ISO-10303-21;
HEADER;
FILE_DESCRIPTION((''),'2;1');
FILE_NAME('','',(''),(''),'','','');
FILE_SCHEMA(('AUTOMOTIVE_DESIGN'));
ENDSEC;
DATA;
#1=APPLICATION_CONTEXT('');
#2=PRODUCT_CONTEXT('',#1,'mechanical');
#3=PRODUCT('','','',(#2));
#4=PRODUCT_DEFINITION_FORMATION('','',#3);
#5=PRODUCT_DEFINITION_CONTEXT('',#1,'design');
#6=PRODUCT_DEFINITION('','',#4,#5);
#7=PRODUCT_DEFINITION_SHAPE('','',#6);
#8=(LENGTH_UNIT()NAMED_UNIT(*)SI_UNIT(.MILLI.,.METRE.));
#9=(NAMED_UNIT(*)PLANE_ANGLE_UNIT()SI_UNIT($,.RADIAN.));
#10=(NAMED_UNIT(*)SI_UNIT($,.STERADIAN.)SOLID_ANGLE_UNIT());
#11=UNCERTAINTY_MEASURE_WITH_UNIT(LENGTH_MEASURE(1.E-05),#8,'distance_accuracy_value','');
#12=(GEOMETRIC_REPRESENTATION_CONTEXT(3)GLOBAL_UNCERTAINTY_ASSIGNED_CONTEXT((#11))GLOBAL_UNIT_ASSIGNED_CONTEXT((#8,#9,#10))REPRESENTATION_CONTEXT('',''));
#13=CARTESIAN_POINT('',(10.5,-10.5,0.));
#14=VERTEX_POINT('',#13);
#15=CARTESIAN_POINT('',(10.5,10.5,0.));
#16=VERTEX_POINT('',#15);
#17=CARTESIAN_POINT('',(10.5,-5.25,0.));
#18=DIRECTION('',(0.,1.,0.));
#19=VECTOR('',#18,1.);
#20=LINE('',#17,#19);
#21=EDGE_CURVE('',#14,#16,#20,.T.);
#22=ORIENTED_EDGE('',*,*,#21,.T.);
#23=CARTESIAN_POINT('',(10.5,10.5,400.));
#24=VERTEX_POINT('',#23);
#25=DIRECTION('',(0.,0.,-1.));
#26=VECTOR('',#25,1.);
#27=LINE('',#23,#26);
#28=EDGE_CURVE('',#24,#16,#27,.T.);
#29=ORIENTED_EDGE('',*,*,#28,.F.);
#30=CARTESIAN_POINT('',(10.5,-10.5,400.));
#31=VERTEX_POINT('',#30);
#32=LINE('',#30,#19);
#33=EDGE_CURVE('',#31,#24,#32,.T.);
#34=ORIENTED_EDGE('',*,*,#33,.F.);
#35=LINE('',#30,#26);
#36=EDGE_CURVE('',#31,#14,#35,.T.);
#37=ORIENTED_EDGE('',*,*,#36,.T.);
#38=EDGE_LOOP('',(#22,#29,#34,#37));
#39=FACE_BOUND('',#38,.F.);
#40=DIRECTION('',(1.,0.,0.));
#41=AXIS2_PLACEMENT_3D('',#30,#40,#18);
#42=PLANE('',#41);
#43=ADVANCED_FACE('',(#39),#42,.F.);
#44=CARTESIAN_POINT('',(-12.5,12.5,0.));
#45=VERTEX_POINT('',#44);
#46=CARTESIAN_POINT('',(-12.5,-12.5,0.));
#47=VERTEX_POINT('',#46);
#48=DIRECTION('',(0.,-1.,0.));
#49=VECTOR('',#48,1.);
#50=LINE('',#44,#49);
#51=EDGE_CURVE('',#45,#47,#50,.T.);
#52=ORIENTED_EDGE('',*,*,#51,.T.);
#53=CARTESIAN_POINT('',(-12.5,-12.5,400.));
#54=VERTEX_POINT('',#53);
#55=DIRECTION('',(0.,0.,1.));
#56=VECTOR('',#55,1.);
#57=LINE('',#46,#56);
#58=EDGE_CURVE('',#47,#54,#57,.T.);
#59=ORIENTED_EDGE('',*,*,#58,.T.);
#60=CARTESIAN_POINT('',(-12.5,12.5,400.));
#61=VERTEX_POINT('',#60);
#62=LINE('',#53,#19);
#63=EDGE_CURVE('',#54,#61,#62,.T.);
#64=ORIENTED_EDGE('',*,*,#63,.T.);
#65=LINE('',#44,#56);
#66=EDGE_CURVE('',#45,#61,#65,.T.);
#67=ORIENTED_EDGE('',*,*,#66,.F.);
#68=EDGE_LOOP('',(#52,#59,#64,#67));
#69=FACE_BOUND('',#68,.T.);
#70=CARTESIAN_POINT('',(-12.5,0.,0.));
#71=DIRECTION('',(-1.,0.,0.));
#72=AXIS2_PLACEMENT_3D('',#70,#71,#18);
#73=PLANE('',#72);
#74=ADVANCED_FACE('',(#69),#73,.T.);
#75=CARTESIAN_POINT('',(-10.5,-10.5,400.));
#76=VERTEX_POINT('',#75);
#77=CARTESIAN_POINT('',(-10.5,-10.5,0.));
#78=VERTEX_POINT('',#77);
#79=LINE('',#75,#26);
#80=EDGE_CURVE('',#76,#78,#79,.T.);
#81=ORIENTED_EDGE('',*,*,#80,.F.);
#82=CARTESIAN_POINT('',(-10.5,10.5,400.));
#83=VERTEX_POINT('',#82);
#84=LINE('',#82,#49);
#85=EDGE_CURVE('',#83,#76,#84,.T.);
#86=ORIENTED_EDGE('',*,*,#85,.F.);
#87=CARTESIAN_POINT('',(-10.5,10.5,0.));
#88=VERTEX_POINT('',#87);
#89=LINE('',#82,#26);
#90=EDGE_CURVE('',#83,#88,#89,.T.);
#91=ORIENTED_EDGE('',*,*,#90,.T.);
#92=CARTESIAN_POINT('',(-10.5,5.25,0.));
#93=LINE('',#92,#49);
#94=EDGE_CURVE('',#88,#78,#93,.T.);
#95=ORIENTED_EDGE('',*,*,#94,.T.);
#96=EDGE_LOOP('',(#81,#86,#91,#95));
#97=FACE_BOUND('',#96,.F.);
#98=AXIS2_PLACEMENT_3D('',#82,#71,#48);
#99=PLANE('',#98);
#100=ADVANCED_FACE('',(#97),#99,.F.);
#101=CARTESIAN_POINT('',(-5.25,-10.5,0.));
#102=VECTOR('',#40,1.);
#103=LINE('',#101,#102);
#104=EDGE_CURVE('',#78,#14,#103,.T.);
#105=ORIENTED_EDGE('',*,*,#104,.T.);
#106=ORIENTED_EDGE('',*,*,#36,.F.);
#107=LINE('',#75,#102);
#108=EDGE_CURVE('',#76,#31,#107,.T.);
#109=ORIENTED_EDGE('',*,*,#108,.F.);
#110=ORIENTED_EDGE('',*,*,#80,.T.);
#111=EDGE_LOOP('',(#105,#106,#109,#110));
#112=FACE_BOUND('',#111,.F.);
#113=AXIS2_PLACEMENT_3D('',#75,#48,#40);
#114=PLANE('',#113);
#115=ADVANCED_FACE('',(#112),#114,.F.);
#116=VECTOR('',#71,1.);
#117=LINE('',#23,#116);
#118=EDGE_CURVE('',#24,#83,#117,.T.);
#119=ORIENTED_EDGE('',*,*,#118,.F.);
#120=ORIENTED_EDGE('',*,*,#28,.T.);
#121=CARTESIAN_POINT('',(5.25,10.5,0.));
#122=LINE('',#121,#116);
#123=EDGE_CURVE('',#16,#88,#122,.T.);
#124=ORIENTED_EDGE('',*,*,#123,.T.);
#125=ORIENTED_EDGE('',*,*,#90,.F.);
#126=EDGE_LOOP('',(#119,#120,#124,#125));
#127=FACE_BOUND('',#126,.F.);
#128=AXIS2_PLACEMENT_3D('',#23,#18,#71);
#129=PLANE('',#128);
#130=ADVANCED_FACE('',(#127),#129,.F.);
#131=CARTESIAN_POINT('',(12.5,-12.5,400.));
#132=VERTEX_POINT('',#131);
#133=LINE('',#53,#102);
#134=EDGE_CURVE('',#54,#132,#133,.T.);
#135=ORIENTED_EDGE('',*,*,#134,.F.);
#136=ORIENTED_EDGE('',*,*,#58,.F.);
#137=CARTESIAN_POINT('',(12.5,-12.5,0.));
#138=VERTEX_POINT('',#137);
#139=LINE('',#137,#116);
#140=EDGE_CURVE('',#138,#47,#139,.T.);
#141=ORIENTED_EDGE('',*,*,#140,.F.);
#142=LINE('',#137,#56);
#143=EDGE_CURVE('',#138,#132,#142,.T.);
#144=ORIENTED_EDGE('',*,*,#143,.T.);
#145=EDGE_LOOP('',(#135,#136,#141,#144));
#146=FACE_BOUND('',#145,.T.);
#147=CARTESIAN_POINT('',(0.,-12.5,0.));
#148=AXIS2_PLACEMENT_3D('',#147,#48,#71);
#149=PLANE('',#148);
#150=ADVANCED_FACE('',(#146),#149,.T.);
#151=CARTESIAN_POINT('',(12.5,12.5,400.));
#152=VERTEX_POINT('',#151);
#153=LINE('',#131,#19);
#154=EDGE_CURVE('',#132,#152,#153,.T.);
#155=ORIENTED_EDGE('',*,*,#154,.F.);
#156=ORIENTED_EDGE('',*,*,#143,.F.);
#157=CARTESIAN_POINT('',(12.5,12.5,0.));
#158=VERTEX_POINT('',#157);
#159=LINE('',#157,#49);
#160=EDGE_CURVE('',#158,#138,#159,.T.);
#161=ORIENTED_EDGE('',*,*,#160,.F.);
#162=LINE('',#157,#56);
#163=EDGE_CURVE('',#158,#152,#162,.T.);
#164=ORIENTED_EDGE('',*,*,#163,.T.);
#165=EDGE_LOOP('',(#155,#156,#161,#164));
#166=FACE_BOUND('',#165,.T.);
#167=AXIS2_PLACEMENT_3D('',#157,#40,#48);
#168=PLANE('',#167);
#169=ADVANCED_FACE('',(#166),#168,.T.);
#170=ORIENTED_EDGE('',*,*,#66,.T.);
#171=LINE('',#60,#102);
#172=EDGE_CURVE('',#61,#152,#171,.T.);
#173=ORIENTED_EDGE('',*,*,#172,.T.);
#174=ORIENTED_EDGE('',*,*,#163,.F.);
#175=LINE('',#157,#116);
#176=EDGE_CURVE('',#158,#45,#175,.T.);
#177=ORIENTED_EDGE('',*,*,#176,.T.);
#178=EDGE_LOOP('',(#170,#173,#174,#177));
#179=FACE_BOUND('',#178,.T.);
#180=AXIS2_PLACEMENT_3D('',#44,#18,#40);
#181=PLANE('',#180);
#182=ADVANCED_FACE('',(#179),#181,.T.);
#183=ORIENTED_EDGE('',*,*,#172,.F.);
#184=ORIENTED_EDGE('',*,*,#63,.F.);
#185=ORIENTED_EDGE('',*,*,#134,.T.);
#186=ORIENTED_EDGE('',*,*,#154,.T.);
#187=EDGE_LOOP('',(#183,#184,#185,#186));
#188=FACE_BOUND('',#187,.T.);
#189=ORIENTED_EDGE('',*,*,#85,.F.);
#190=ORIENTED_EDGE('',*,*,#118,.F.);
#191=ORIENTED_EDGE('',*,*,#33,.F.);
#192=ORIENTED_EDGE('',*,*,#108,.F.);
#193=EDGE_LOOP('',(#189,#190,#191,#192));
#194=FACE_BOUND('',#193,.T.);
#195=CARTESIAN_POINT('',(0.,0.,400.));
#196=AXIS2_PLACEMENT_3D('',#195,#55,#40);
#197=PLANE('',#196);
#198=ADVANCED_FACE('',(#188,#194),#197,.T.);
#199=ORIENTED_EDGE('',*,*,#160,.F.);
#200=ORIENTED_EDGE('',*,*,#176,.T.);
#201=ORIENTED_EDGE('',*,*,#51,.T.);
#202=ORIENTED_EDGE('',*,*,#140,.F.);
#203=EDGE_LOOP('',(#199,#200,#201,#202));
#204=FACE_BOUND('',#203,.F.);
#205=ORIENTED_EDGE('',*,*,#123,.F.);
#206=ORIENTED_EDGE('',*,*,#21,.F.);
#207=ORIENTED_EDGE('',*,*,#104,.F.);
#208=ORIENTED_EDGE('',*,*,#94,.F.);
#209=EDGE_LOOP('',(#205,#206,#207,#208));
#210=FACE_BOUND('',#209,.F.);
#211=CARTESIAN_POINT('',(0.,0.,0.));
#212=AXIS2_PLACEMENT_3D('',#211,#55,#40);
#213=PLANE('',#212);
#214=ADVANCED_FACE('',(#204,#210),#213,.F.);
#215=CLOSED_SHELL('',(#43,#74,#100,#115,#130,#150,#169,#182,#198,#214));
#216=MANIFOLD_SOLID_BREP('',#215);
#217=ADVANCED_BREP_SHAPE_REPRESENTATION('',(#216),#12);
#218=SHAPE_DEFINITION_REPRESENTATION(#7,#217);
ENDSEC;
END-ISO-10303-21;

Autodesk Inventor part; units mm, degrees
ref_plane "YZ Plane" through (0, 0, 0) normal (1, 0, 0) x (0, 1, 0)
ref_plane "XZ Plane" through (0, 0, 0) normal (0, 1, 0) x (-1, 0, 0)
ref_plane "XY Plane" through (0, 0, 0) normal (0, 0, 1) x (1, 0, 0)
sketch "Skizze2" plane through (0, 0, 0) normal (0, 0, 1) x (1, 0, 0)
  line L0 (-17.5, 0) -> (17.5, 0) projected
  line L1 (0, -17.5) -> (0, 17.5) projected
  line L2 (-12.5, 12.5) -> (12.5, 12.5)
  line L3 (12.5, 12.5) -> (12.5, -12.5)
  line L4 (12.5, -12.5) -> (-12.5, -12.5)
  line L5 (-12.5, -12.5) -> (-12.5, 12.5)
  point P0 (0, 0)
  dimension "d3" = 25
  dimension "d4" = 25
extrude "Extrusion2" add sketch "Skizze2" along normal blind 400
sketch "Skizze3" plane through (-12.5, 12.5, 0) normal (0, 1, 0) x (1, 0, 0)
  point P0 (12.5, 0)
sketch "Skizze4" plane through (0, 0, 400) normal (0, 0, 1) x (1, 0, 0)
  line L0 (-10.5, -10.5) -> (10.5, -10.5)
  line L1 (10.5, -10.5) -> (10.5, 10.5)
  line L2 (10.5, 10.5) -> (-10.5, 10.5)
  line L3 (-10.5, 10.5) -> (-10.5, -10.5)
  line L4 (-12.5, 12.5) -> (-12.5, -12.5) projected
  line L5 (12.5, 12.5) -> (-12.5, 12.5) projected
  line L6 (12.5, -12.5) -> (12.5, 12.5) projected
  line L7 (-12.5, -12.5) -> (12.5, -12.5) projected
  point P0 (0, 0)
  dimension "d7" = 2
  dimension "d8" = 2
  dimension "d9" = 2
  dimension "d10" = 2
extrude "Extrusion3" cut sketch "Skizze4" against normal blind 500 contours L3 L2 L1 L0
properties part number "SteherStrebe"
